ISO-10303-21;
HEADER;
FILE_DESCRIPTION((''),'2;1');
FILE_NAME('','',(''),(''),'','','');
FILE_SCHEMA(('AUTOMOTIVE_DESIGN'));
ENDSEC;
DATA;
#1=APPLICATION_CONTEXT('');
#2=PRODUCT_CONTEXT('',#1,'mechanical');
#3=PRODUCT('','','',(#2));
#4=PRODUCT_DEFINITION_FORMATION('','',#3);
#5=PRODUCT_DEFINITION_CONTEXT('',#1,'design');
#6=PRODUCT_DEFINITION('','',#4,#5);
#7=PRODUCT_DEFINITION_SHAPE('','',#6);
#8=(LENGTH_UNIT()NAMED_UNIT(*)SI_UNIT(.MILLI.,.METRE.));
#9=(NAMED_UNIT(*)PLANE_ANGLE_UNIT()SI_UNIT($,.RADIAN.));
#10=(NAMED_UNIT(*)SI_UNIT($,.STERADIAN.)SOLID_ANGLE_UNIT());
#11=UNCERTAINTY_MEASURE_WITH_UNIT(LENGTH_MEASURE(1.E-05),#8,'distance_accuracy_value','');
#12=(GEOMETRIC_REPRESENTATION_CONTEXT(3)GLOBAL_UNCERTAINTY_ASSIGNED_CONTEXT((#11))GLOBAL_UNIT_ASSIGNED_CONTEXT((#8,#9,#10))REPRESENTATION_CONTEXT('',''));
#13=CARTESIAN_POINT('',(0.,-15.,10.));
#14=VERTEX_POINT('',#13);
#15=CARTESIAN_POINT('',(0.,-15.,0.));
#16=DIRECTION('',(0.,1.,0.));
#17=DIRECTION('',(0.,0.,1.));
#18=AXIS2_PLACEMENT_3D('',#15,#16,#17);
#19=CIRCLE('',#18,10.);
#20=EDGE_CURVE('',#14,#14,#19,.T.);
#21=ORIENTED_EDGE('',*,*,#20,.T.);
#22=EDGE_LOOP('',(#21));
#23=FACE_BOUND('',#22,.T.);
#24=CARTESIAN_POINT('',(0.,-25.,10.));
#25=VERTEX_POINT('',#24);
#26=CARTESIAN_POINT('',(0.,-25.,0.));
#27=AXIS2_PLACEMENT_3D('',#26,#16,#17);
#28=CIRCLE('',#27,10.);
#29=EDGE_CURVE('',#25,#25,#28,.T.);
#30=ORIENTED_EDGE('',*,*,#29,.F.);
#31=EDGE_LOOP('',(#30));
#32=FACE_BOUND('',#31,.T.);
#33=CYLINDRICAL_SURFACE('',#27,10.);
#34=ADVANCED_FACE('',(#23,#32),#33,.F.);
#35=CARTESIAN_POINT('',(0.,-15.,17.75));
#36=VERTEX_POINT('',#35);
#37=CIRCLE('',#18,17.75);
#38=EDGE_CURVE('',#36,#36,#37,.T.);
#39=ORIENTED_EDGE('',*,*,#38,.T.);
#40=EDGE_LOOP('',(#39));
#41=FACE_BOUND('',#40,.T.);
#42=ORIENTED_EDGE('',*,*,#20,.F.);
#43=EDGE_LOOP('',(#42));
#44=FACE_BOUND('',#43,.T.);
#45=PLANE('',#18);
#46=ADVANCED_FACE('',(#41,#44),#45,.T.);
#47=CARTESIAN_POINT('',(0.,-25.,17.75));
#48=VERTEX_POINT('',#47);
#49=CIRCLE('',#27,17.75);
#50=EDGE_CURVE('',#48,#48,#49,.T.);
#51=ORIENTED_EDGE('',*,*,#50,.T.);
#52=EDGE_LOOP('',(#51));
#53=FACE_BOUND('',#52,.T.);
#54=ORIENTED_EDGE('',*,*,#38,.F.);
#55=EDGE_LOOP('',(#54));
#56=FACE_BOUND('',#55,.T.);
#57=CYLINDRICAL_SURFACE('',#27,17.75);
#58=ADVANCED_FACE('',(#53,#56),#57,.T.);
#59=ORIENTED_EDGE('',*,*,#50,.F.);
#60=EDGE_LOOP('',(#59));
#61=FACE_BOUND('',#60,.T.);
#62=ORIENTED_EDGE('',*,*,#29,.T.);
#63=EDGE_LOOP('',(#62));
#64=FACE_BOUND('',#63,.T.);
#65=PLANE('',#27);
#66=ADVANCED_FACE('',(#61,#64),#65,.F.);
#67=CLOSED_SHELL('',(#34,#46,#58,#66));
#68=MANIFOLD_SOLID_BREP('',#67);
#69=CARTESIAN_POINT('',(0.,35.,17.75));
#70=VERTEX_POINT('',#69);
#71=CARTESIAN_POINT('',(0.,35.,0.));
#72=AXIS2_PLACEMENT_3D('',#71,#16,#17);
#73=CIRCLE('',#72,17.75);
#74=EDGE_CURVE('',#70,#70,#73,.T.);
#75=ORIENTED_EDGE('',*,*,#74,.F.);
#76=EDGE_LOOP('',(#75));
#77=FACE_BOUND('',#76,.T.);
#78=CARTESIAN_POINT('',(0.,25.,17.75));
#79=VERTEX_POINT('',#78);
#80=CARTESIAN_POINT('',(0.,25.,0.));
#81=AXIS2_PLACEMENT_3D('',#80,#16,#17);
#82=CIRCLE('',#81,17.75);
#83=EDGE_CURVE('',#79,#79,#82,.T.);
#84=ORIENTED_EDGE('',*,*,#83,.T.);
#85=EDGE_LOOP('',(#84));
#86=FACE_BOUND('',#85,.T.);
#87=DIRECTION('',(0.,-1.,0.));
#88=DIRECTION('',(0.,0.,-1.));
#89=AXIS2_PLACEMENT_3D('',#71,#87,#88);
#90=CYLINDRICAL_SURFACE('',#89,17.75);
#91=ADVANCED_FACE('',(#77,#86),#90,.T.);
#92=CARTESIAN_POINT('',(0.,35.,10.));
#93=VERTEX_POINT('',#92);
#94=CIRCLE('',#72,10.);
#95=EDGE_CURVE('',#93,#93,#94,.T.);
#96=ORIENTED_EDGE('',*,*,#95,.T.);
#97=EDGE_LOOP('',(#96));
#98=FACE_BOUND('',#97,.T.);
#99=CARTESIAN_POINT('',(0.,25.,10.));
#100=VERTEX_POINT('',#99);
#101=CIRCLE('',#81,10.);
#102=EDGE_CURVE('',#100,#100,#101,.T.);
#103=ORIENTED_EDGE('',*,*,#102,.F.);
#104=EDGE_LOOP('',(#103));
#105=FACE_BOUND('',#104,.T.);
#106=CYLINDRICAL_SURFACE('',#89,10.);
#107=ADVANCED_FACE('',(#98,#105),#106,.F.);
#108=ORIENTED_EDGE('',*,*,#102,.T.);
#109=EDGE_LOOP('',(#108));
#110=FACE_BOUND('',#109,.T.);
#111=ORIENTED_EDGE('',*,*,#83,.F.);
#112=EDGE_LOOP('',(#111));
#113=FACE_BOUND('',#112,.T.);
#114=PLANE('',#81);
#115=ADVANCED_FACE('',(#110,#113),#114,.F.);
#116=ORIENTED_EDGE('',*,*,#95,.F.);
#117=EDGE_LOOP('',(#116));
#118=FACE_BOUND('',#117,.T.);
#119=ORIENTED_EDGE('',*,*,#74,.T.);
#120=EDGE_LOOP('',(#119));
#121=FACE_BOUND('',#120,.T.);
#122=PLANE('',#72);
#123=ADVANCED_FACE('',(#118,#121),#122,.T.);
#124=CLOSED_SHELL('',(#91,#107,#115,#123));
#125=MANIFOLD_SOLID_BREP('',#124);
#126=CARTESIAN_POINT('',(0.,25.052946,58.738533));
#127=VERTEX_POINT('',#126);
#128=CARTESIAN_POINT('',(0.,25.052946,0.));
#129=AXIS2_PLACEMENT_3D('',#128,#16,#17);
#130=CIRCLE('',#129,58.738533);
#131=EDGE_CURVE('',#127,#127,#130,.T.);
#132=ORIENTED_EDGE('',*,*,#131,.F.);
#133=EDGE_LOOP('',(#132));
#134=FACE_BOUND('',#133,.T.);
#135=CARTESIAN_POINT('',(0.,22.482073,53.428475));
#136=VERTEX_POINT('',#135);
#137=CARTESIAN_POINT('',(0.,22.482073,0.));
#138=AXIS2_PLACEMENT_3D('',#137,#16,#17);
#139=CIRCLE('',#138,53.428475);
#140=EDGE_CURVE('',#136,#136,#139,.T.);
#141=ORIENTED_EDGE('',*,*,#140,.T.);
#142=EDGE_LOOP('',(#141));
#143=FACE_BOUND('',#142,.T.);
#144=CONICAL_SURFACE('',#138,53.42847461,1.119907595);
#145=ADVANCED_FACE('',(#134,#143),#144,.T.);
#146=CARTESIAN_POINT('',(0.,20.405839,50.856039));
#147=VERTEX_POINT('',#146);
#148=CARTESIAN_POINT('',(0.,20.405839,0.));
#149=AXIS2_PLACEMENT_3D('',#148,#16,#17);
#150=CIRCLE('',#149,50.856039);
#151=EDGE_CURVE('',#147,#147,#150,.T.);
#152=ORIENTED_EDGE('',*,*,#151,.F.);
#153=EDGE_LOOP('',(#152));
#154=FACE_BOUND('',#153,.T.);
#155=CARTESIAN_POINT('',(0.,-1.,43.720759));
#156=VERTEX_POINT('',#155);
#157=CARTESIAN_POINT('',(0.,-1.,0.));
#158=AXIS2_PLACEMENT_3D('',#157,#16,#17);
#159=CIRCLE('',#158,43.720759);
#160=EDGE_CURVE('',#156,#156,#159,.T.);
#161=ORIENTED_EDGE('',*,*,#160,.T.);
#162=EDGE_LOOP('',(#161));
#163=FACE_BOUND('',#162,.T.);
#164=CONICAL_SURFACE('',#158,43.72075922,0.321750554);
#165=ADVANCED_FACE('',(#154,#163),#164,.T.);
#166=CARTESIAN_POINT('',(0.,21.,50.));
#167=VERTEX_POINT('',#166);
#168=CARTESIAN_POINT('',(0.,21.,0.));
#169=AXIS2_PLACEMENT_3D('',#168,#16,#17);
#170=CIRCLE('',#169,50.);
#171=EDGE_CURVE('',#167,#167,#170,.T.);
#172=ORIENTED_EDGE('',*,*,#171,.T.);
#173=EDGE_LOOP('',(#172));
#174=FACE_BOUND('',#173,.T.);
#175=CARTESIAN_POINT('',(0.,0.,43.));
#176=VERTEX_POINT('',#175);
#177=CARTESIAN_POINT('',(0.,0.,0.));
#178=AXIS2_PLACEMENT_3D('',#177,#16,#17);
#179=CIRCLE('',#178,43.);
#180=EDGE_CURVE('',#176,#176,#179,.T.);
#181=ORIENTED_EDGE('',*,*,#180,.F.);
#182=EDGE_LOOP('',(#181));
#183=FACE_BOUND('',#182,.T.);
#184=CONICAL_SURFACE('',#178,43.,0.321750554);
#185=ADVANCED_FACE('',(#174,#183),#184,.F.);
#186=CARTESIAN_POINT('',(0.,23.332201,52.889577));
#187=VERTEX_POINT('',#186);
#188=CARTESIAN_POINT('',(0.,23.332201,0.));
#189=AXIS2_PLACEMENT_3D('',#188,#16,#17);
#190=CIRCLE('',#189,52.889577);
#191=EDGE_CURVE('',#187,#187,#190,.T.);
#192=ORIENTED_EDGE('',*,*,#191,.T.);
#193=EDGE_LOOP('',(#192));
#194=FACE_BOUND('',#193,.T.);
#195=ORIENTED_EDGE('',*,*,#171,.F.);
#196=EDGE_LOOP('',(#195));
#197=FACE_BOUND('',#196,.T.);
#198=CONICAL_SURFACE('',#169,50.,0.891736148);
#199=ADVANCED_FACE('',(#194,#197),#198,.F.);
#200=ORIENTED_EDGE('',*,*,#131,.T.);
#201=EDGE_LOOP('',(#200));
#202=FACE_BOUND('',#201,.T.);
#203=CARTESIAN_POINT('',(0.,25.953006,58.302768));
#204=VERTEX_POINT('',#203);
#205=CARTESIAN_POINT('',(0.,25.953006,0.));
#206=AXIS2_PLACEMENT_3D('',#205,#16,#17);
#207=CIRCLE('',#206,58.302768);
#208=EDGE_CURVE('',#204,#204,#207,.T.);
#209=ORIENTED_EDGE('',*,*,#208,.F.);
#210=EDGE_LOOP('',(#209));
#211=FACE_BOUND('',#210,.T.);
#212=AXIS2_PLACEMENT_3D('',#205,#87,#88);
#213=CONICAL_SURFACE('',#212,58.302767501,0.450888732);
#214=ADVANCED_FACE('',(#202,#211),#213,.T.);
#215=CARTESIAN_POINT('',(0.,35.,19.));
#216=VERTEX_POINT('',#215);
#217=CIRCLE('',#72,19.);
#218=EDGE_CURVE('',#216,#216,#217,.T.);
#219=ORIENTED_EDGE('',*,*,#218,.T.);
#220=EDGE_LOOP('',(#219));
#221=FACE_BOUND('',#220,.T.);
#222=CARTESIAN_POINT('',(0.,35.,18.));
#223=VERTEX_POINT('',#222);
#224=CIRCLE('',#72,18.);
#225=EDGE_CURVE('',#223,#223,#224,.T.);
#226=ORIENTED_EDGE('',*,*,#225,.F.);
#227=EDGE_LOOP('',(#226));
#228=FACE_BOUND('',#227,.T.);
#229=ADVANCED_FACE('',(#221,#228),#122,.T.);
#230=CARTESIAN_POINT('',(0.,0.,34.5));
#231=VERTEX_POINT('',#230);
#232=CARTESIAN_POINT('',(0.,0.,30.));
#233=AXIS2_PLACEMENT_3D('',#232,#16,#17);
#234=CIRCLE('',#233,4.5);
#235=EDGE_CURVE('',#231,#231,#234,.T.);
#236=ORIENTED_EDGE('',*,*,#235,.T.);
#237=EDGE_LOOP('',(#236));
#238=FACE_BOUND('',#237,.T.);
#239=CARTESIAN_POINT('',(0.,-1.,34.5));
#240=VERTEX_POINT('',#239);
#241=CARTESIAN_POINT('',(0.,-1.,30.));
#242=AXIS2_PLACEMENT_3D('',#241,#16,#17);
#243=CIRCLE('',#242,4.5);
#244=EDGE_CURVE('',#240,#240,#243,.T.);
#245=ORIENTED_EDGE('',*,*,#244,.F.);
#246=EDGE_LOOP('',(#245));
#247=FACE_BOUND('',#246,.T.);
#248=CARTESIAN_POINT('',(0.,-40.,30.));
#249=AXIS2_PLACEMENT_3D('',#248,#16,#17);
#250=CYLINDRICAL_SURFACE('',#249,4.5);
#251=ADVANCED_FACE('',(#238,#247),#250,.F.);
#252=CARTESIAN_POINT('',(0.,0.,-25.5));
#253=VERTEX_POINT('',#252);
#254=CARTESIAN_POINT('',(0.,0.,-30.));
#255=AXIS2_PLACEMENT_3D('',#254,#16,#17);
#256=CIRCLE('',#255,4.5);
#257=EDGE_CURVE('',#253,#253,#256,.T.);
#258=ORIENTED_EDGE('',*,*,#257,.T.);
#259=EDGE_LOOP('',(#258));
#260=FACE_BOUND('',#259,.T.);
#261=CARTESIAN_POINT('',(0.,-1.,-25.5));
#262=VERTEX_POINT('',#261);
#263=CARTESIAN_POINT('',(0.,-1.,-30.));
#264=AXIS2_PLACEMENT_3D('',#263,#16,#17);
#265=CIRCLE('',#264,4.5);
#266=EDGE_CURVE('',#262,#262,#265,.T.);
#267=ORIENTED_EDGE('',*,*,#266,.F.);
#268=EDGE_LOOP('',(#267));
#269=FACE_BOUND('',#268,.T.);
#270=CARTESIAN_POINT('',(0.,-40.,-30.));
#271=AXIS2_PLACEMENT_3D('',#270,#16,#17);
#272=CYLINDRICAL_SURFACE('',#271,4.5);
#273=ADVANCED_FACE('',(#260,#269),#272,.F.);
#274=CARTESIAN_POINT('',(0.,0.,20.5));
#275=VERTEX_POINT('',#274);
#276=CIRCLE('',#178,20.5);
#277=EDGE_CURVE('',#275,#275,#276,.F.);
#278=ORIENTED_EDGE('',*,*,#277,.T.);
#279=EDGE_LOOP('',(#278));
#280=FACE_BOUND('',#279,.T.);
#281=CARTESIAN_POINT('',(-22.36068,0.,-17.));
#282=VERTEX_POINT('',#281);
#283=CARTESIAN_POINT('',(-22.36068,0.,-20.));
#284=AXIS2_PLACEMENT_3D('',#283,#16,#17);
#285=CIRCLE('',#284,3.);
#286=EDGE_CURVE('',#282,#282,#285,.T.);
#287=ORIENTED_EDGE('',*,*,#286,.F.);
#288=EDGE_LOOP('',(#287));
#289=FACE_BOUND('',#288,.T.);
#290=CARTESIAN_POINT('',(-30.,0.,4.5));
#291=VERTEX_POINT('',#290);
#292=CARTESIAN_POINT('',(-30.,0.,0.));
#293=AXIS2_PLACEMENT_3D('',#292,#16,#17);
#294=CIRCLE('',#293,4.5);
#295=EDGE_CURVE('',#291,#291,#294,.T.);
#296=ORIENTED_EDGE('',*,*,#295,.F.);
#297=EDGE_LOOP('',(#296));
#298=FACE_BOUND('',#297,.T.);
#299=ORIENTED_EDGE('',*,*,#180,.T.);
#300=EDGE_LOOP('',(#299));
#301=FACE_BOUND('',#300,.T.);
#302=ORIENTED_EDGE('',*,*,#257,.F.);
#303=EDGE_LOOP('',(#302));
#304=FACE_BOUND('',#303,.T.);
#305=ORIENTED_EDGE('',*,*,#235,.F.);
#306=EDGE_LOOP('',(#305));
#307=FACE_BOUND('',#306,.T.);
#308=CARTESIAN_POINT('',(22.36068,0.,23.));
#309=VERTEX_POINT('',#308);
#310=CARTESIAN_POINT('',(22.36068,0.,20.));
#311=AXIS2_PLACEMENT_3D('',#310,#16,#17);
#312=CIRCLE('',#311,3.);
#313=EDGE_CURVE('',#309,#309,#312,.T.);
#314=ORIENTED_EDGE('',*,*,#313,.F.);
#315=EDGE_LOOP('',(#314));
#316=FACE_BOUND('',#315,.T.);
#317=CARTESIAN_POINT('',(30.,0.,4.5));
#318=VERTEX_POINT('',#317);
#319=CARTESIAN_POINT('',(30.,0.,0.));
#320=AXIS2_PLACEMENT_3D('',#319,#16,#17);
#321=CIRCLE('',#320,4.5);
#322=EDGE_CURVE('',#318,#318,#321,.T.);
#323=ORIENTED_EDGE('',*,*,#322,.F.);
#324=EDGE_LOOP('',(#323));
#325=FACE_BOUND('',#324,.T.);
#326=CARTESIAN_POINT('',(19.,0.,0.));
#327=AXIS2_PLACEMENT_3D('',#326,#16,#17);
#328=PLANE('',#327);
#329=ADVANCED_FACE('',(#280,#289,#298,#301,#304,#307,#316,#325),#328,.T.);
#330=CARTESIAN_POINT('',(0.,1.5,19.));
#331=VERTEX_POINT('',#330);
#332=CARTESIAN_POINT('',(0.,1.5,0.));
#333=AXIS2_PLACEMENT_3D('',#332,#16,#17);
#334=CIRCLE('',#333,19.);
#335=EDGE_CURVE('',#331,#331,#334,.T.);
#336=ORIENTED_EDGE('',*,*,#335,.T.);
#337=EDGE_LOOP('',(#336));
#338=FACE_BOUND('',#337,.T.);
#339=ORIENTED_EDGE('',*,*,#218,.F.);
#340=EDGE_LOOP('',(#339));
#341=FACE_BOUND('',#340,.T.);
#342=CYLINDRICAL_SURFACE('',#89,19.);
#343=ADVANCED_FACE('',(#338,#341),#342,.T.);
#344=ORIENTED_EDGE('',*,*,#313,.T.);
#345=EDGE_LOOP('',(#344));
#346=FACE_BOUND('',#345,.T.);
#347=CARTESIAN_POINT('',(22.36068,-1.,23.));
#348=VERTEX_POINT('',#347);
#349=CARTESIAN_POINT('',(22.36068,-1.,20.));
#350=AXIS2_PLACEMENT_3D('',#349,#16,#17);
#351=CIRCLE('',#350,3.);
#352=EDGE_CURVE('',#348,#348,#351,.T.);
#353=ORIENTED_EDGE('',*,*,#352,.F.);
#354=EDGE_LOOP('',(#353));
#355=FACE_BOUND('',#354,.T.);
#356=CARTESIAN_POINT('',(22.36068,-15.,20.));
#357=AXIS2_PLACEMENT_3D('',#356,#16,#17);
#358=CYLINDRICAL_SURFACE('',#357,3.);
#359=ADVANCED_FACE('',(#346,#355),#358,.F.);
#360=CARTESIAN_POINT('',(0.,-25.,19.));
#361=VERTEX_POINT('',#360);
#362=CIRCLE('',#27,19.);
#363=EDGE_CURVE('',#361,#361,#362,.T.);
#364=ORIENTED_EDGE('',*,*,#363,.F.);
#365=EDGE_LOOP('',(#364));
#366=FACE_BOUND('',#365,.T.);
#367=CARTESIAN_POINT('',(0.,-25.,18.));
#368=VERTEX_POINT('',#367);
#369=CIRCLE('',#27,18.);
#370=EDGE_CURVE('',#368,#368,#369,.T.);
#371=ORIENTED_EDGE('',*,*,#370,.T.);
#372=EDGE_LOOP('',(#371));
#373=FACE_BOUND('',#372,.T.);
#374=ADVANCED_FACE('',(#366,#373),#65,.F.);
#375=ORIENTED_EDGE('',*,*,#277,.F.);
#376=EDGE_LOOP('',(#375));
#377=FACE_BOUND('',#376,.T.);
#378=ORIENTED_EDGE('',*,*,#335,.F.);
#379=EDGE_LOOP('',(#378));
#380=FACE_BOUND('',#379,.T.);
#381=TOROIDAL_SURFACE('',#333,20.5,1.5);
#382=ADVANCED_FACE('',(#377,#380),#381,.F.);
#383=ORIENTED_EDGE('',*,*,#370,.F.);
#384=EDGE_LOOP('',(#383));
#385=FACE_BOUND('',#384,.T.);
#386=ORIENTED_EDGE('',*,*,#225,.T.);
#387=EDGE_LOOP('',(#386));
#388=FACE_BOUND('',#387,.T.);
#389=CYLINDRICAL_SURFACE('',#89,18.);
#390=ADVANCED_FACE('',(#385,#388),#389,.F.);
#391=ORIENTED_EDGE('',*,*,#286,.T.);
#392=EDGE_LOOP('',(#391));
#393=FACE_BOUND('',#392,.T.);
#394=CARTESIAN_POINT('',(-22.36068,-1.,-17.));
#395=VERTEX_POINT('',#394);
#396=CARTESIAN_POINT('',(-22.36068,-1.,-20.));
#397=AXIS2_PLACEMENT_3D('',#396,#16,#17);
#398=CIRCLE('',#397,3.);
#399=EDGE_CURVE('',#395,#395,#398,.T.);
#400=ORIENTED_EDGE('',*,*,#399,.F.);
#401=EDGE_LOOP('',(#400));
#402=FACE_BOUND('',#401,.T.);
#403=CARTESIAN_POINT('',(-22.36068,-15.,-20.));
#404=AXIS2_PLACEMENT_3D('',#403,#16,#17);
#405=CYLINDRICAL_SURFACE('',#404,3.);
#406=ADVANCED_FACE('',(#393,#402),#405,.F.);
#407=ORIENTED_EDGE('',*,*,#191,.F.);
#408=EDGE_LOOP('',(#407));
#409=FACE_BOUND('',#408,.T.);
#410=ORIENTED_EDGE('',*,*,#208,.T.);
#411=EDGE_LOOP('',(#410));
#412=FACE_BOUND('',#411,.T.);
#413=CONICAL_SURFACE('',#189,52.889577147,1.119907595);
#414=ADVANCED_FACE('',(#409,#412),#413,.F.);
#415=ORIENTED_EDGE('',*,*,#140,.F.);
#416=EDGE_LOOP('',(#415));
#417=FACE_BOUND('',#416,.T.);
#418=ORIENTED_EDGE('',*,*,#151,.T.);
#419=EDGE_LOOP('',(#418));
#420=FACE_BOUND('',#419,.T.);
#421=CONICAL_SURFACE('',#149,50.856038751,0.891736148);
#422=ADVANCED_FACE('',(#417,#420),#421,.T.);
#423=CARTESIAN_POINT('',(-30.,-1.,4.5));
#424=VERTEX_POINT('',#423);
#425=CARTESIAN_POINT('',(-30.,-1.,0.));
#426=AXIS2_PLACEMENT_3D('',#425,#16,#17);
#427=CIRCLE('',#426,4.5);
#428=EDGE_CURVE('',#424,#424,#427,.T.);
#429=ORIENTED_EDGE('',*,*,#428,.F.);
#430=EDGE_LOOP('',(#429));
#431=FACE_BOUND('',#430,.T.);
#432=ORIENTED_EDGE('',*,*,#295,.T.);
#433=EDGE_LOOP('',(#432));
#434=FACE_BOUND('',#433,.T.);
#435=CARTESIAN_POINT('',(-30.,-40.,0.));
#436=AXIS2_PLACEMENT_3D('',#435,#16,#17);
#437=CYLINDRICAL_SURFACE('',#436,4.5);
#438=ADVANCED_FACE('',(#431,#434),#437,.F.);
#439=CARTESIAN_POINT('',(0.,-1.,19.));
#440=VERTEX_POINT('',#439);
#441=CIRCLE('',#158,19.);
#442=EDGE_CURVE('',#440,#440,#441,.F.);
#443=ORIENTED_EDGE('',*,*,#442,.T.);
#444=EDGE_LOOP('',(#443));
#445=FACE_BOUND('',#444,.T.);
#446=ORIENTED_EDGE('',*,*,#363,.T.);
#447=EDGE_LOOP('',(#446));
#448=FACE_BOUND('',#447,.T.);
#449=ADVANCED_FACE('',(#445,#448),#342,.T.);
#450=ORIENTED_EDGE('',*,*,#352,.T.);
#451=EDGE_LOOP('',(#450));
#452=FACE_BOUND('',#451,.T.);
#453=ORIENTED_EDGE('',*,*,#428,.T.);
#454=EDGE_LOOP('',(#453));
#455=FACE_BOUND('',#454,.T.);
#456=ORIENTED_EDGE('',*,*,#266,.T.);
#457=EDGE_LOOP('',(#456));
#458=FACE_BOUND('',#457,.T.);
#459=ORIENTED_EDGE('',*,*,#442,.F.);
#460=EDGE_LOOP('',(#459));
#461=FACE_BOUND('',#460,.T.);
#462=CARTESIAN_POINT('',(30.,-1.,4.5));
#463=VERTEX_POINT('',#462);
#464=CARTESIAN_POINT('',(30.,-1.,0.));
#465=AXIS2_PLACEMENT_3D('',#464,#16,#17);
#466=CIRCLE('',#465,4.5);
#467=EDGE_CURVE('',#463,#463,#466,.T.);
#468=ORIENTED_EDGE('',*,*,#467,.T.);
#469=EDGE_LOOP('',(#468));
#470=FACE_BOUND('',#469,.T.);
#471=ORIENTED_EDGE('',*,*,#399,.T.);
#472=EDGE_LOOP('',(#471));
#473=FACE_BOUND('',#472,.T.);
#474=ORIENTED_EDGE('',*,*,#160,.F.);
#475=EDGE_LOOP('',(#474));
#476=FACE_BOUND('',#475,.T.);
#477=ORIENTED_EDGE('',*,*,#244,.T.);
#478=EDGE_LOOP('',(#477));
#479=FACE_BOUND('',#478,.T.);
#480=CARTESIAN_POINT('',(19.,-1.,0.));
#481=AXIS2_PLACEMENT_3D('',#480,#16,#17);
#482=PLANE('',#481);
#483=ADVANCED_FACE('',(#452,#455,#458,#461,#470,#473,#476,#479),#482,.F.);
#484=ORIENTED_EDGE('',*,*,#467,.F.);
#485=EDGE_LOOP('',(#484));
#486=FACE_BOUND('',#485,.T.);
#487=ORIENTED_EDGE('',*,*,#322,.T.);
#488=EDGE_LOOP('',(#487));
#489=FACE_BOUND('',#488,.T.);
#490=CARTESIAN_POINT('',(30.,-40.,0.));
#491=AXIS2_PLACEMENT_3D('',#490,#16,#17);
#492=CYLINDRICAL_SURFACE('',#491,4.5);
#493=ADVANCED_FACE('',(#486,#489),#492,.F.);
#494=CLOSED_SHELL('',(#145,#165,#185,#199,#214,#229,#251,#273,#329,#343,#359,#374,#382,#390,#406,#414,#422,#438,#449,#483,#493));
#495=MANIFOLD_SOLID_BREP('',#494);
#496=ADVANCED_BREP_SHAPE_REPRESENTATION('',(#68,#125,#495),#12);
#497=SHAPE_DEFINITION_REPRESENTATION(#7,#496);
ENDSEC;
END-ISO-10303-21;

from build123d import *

# Parameters (mm, degrees)
SKETCH_2_R            = 4.5
CUT_EXTRUDE_1_DEPTH   = 40
EXTRUDE_10_DEPTH      = 35
EXTRUDE_10_DEPTH_BACK = 25
SKETCH_3_R            = 19
SKETCH_3_R_2          = 18
FILLET_2_R            = 1.5
EXTRUDE_START         = 25
SKETCH_4_R            = 17.75
SKETCH_4_R_2          = 10
EXTRUDE_11_DEPTH      = 10
EXTRUDE_START_2       = -15
SKETCH_4_2_R          = 17.75
SKETCH_4_2_R_2        = 10
EXTRUDE_12_DEPTH      = 10
SKETCH_6_R            = 3
CUT_EXTRUDE_13_DEPTH  = 15


with BuildPart() as part:
    # Эскиз1 → Повернуть-Тонкостенный1 (revolve)
    with BuildSketch(Plane.XY, mode=Mode.PRIVATE) as revolve_1_sk:
        Polygon((19, 0), (43, 0), (50, 21), (52.889577147, 23.332201276), (58.302767501, 25.953006302), (58.738533119, 25.052946123), (53.42847461, 22.482072549), (50.856038751, 20.405838593), (43.72075922, -1), (19, -1), align=None)
    revolve(revolve_1_sk.sketch.rotate(Axis((0, 0, 0), (0, -1, 0)), 90), axis=Axis((0, 0, 0), (0, -1, 0)))

    # Эскиз2 → Вытянуть1 (cut, symmetric)
    with BuildSketch(Plane(origin=(0, 0, 0), x_dir=(1, 0, 0), z_dir=(0, 1, 0))):
        with Locations(Location((30, 0, 0), (0, 0, 270))):
            Circle(SKETCH_2_R)
        with Locations(Location((-30, 0, 0), (0, 0, 270))):
            Circle(SKETCH_2_R)
        with Locations(Location((0, 30, 0), (0, 0, 270))):
            Circle(SKETCH_2_R)
        with Locations(Location((0, -30, 0), (0, 0, 270))):
            Circle(SKETCH_2_R)
    extrude(amount=CUT_EXTRUDE_1_DEPTH, both=True, mode=Mode.SUBTRACT)

    # Эскиз3 → Вытянуть10 (add, two sides: drawn at the far end of the back side and taken through both)
    with BuildSketch(Plane(origin=(0, 0, 0), x_dir=(1, 0, 0), z_dir=(0, 1, 0)).offset(-EXTRUDE_10_DEPTH_BACK)):
        with Locations(Location((0, 0, 0), (0, 0, 270))):
            Circle(SKETCH_3_R)
        with Locations(Location((0, 0, 0), (0, 0, 270))):
            Circle(SKETCH_3_R_2, mode=Mode.SUBTRACT)
    extrude(amount=EXTRUDE_10_DEPTH + EXTRUDE_10_DEPTH_BACK)

    # Скругление2
    fillet_2_edges = [part.edges().sort_by_distance(p)[0] for p in [
        (0, 0, -19),
    ]]
    fillet(fillet_2_edges, radius=FILLET_2_R)

    # Эскиз6 → Вытянуть13 (cut, symmetric)
    with BuildSketch(Plane(origin=(0, 0, 0), x_dir=(1, 0, 0), z_dir=(0, 1, 0))):
        with Locations(Location((-22.360679775, 20, 0), (0, 0, 270))):
            Circle(SKETCH_6_R)
        with Locations(Location((22.360679775, -20, 0), (0, 0, 270))):
            Circle(SKETCH_6_R)
    extrude(amount=CUT_EXTRUDE_13_DEPTH, both=True, mode=Mode.SUBTRACT)


with BuildPart() as body_2:
    # Эскиз4 → Вытянуть11 (new body)
    with BuildSketch(Plane(origin=(0, 0, 0), x_dir=(1, 0, 0), z_dir=(0, 1, 0)).offset(EXTRUDE_START)):
        with Locations(Location((0, 0, 0), (0, 0, 270))):
            Circle(SKETCH_4_R)
        with Locations(Location((0, 0, 0), (0, 0, 270))):
            Circle(SKETCH_4_R_2, mode=Mode.SUBTRACT)
    extrude(amount=EXTRUDE_11_DEPTH)


with BuildPart() as body_3:
    # Эскиз4<2> → Вытянуть12 (new body)
    with BuildSketch(Plane(origin=(0, 0, 0), x_dir=(1, 0, 0), z_dir=(0, 1, 0)).offset(EXTRUDE_START_2)):
        with Locations(Location((0, 0, 0), (0, 0, 270))):
            Circle(SKETCH_4_2_R)
        with Locations(Location((0, 0, 0), (0, 0, 270))):
            Circle(SKETCH_4_2_R_2, mode=Mode.SUBTRACT)
    extrude(amount=-EXTRUDE_12_DEPTH)


solid = Compound([part.part, body_2.part, body_3.part])
